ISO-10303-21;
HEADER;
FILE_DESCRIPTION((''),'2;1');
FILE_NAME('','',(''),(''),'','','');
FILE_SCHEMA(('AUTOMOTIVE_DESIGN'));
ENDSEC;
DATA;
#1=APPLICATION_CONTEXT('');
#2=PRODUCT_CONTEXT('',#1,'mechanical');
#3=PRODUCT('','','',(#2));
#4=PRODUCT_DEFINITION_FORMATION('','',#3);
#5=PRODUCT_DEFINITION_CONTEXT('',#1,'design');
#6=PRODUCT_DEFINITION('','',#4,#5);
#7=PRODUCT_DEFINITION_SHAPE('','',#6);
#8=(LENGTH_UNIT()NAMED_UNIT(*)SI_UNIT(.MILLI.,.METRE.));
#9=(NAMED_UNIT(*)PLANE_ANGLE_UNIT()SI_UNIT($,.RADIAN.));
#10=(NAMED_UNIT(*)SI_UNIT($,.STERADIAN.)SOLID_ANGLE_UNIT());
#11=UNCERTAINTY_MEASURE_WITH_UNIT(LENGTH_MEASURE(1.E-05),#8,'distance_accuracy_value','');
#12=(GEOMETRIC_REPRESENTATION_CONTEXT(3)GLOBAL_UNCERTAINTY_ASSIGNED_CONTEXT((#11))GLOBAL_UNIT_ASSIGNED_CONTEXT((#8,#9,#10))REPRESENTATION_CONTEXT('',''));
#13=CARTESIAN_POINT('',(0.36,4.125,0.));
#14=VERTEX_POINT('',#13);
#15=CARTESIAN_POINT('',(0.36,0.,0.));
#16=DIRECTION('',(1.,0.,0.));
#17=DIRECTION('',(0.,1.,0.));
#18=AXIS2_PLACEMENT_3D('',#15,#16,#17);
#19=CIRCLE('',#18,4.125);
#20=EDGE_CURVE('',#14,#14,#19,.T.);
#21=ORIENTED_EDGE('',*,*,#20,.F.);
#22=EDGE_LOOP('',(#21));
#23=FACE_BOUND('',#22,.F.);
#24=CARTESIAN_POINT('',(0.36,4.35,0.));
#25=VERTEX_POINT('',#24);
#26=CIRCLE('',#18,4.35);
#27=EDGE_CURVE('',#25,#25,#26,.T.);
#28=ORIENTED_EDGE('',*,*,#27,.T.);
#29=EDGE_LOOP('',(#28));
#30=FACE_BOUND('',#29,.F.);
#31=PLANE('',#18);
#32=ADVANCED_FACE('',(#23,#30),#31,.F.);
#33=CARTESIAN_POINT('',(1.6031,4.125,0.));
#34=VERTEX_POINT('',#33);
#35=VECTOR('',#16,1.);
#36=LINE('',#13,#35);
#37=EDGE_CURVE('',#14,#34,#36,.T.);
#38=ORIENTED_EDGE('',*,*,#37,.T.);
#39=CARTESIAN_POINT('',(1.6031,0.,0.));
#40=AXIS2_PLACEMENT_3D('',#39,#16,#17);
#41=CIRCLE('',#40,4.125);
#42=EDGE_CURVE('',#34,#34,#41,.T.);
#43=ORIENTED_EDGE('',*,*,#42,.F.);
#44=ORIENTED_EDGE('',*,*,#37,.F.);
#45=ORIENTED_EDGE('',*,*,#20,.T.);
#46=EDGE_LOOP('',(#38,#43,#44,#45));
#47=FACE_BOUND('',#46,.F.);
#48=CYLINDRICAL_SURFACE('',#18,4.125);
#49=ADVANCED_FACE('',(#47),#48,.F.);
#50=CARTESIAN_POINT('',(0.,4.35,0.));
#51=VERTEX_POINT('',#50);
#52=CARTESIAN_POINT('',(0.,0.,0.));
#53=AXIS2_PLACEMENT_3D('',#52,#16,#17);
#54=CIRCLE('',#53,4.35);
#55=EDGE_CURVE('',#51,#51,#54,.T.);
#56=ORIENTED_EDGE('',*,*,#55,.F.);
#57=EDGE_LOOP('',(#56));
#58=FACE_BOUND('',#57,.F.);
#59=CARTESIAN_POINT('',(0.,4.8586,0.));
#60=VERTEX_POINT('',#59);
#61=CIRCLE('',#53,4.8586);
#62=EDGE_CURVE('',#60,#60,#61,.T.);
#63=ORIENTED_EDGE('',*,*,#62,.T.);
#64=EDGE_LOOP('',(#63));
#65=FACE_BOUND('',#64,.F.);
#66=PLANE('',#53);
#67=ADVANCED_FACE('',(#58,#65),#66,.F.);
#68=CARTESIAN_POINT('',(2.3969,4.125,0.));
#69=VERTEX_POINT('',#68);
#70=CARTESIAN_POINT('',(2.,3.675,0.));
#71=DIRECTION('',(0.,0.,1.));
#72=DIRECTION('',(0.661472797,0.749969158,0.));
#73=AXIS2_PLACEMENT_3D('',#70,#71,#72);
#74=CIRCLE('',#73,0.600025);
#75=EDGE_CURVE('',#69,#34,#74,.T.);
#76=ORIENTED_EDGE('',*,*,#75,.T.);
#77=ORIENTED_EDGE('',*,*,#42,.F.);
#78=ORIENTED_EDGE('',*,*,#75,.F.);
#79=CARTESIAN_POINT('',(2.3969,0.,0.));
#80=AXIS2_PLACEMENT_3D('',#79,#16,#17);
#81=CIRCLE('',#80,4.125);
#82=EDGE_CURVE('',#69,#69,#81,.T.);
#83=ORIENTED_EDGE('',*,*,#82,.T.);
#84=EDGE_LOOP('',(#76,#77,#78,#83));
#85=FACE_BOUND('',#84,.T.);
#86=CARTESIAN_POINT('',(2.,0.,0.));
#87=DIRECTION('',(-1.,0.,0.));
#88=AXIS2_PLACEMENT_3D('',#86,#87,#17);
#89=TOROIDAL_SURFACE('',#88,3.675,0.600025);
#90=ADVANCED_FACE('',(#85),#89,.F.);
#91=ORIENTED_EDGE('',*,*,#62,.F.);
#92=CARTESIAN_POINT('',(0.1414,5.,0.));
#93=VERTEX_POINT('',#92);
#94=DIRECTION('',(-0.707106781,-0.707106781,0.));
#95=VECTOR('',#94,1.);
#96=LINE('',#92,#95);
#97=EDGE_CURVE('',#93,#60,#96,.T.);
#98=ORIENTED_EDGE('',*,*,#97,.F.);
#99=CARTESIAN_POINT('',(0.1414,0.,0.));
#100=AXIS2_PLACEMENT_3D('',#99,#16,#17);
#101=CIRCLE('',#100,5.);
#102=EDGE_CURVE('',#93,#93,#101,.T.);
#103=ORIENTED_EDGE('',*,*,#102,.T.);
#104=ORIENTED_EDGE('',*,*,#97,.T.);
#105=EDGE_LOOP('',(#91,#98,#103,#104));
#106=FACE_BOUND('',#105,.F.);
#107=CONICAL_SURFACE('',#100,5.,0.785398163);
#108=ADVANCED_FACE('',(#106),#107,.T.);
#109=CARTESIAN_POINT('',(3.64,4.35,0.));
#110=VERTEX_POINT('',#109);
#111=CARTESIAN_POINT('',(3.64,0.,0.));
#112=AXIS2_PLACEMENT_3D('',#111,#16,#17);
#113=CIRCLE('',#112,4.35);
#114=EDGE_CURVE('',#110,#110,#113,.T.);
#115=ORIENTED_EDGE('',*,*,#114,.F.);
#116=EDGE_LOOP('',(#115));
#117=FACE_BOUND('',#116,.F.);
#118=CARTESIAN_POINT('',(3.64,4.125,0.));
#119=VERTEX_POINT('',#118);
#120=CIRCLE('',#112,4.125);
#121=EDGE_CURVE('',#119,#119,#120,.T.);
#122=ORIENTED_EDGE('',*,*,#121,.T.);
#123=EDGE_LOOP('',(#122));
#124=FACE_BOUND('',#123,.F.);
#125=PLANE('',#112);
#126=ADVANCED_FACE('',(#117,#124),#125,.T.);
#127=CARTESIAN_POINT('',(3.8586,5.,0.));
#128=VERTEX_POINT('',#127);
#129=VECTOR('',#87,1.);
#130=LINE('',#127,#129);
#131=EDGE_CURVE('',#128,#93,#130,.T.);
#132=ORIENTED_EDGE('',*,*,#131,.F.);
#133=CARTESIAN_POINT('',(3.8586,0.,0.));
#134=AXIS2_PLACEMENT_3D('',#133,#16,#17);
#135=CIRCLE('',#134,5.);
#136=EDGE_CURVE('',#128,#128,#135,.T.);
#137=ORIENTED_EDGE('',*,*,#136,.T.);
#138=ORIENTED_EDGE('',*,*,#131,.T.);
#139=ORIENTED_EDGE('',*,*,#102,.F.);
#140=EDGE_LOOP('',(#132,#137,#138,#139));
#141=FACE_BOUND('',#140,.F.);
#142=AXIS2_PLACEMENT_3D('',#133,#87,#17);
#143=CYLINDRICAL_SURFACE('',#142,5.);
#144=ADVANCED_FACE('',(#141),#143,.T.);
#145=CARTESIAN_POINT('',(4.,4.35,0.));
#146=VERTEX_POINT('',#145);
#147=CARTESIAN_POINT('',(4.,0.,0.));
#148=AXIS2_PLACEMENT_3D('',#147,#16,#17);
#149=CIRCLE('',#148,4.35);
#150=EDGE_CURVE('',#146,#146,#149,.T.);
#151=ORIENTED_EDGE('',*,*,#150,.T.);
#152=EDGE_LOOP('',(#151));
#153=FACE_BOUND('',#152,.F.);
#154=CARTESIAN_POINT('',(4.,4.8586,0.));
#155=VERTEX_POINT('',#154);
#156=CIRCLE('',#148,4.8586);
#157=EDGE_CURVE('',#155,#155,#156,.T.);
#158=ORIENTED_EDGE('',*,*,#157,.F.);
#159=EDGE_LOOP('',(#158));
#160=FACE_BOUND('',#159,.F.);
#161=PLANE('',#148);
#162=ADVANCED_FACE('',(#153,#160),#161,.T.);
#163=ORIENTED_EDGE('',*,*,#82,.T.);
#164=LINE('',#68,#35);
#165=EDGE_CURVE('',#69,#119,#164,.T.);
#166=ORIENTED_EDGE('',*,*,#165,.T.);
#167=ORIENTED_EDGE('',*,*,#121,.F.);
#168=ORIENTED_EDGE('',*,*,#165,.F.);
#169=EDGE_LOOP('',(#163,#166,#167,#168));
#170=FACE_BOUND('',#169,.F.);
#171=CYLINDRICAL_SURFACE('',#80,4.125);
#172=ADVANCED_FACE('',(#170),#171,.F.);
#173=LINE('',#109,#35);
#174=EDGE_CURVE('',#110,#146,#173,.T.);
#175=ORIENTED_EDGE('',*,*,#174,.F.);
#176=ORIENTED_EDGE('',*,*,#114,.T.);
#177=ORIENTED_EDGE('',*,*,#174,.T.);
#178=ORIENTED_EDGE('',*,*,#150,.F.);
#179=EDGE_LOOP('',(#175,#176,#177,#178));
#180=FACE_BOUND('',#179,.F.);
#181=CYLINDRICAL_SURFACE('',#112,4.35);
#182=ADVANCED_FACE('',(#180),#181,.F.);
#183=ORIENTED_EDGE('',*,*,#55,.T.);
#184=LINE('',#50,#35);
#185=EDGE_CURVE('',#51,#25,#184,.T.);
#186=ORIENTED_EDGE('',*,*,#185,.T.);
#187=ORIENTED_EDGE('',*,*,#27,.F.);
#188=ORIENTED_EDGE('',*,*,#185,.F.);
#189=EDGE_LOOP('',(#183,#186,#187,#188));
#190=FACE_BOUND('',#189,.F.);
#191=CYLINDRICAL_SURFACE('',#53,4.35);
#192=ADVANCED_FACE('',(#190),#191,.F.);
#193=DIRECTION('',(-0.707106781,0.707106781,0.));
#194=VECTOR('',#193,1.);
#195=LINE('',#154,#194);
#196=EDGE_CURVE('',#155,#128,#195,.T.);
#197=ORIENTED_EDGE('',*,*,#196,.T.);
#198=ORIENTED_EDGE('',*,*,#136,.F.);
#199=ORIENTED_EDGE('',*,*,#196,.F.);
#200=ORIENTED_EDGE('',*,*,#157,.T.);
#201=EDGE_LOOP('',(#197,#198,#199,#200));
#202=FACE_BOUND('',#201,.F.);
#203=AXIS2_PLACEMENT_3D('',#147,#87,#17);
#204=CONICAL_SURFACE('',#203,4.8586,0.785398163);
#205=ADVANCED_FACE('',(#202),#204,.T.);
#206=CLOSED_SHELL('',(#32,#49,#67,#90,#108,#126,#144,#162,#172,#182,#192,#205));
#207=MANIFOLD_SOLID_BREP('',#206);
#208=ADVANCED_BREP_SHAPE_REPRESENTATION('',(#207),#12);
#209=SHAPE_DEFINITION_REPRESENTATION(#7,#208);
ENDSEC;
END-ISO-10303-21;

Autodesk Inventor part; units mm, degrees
sketch "Sketch_4" plane through (0, 0, 0) normal (0, 0, 1) x (1, 0, 0)
  line L0 (4, 0) -> (0, 0)
  line L1 (0, 4.8586) -> (0, 4.35)
  line L2 (0, 4.35) -> (0.36, 4.35)
  line L3 (0.36, 4.35) -> (0.36, 4.125)
  line L4 (0.36, 4.125) -> (1.6031, 4.125)
  arc A0 (2.3969, 4.125) -> (1.6031, 4.125) centre (2, 3.675) ccw
  line L5 (2.3969, 4.125) -> (3.64, 4.125)
  line L6 (3.64, 4.125) -> (3.64, 4.35)
  line L7 (3.64, 4.35) -> (4, 4.35)
  line L8 (4, 4.35) -> (4, 4.8586)
  line L9 (4, 4.8586) -> (3.8586, 5)
  line L10 (3.8586, 5) -> (0.1414, 5)
  line L11 (0.1414, 5) -> (0, 4.8586)
revolve "Revolution1" add sketch "Sketch_4" angle 360 about axis through (4, 0, 0) along (1, 0, 0)
ref_plane "center_XY" through (0, 0, 0) normal (1, 0, 0) x (0, 0, -1)
ref_plane "center_YZ" through (0, 0, 0) normal (0, 0, -1) x (0, 1, 0)
ref_plane "center_ZX" through (0, 0, 0) normal (0, 1, 0) x (1, 0, 0)
ref_plane "or_1_1_XY" through (2, 3.675, 0) normal (1, 0, 0) x (0, 0, -1)
ref_plane "or_1_1_YZ" through (2, 3.675, 0) normal (0, 0, -1) x (0, 1, 0)
ref_plane "or_1_1_ZX" through (2, 3.675, 0) normal (0, 1, 0) x (1, 0, 0)
ref_plane "or_1_10_XY" through (2, 2.9731, -2.1601) normal (1, 0, 0) x (0, 0, -1)
ref_plane "or_1_10_YZ" through (2, 2.9731, -2.1601) normal (0, 0, -1) x (0, 1, 0)
ref_plane "or_1_10_ZX" through (2, 2.9731, -2.1601) normal (0, 1, 0) x (1, 0, 0)
ref_plane "or_1_2_XY" through (2, 2.9731, 2.1601) normal (1, 0, 0) x (0, 0, -1)
ref_plane "or_1_2_YZ" through (2, 2.9731, 2.1601) normal (0, 0, -1) x (0, 1, 0)
ref_plane "or_1_2_ZX" through (2, 2.9731, 2.1601) normal (0, 1, 0) x (1, 0, 0)
ref_plane "or_1_3_XY" through (2, 1.1356, 3.4951) normal (1, 0, 0) x (0, 0, -1)
ref_plane "or_1_3_YZ" through (2, 1.1356, 3.4951) normal (0, 0, -1) x (0, 1, 0)
ref_plane "or_1_3_ZX" through (2, 1.1356, 3.4951) normal (0, 1, 0) x (1, 0, 0)
ref_plane "or_1_4_XY" through (2, -1.1356, 3.4951) normal (1, 0, 0) x (0, 0, -1)
ref_plane "or_1_4_YZ" through (2, -1.1356, 3.4951) normal (0, 0, -1) x (0, 1, 0)
ref_plane "or_1_4_ZX" through (2, -1.1356, 3.4951) normal (0, 1, 0) x (1, 0, 0)
ref_plane "or_1_5_XY" through (2, -2.9731, 2.1601) normal (1, 0, 0) x (0, 0, -1)
ref_plane "or_1_5_YZ" through (2, -2.9731, 2.1601) normal (0, 0, -1) x (0, 1, 0)
ref_plane "or_1_5_ZX" through (2, -2.9731, 2.1601) normal (0, 1, 0) x (1, 0, 0)
ref_plane "or_1_6_XY" through (2, -3.675, 0) normal (1, 0, 0) x (0, 0, -1)
ref_plane "or_1_6_YZ" through (2, -3.675, 0) normal (0, 0, -1) x (0, 1, 0)
ref_plane "or_1_6_ZX" through (2, -3.675, 0) normal (0, 1, 0) x (1, 0, 0)
ref_plane "or_1_7_XY" through (2, -2.9731, -2.1601) normal (1, 0, 0) x (0, 0, -1)
ref_plane "or_1_7_YZ" through (2, -2.9731, -2.1601) normal (0, 0, -1) x (0, 1, 0)
ref_plane "or_1_7_ZX" through (2, -2.9731, -2.1601) normal (0, 1, 0) x (1, 0, 0)
ref_plane "or_1_8_XY" through (2, -1.1356, -3.4951) normal (1, 0, 0) x (0, 0, -1)
ref_plane "or_1_8_YZ" through (2, -1.1356, -3.4951) normal (0, 0, -1) x (0, 1, 0)
ref_plane "or_1_8_ZX" through (2, -1.1356, -3.4951) normal (0, 1, 0) x (1, 0, 0)
ref_plane "or_1_9_XY" through (2, 1.1356, -3.4951) normal (1, 0, 0) x (0, 0, -1)
ref_plane "or_1_9_YZ" through (2, 1.1356, -3.4951) normal (0, 0, -1) x (0, 1, 0)
ref_plane "or_1_9_ZX" through (2, 1.1356, -3.4951) normal (0, 1, 0) x (1, 0, 0)
ref_plane "outer_XY" through (4, 0, 0) normal (1, 0, 0) x (0, 0, -1)
ref_plane "outer_YZ" through (4, 0, 0) normal (0, 0, -1) x (0, 1, 0)
ref_plane "outer_ZX" through (4, 0, 0) normal (0, 1, 0) x (1, 0, 0)
properties part number "WML5010ZZ Outer ring"
